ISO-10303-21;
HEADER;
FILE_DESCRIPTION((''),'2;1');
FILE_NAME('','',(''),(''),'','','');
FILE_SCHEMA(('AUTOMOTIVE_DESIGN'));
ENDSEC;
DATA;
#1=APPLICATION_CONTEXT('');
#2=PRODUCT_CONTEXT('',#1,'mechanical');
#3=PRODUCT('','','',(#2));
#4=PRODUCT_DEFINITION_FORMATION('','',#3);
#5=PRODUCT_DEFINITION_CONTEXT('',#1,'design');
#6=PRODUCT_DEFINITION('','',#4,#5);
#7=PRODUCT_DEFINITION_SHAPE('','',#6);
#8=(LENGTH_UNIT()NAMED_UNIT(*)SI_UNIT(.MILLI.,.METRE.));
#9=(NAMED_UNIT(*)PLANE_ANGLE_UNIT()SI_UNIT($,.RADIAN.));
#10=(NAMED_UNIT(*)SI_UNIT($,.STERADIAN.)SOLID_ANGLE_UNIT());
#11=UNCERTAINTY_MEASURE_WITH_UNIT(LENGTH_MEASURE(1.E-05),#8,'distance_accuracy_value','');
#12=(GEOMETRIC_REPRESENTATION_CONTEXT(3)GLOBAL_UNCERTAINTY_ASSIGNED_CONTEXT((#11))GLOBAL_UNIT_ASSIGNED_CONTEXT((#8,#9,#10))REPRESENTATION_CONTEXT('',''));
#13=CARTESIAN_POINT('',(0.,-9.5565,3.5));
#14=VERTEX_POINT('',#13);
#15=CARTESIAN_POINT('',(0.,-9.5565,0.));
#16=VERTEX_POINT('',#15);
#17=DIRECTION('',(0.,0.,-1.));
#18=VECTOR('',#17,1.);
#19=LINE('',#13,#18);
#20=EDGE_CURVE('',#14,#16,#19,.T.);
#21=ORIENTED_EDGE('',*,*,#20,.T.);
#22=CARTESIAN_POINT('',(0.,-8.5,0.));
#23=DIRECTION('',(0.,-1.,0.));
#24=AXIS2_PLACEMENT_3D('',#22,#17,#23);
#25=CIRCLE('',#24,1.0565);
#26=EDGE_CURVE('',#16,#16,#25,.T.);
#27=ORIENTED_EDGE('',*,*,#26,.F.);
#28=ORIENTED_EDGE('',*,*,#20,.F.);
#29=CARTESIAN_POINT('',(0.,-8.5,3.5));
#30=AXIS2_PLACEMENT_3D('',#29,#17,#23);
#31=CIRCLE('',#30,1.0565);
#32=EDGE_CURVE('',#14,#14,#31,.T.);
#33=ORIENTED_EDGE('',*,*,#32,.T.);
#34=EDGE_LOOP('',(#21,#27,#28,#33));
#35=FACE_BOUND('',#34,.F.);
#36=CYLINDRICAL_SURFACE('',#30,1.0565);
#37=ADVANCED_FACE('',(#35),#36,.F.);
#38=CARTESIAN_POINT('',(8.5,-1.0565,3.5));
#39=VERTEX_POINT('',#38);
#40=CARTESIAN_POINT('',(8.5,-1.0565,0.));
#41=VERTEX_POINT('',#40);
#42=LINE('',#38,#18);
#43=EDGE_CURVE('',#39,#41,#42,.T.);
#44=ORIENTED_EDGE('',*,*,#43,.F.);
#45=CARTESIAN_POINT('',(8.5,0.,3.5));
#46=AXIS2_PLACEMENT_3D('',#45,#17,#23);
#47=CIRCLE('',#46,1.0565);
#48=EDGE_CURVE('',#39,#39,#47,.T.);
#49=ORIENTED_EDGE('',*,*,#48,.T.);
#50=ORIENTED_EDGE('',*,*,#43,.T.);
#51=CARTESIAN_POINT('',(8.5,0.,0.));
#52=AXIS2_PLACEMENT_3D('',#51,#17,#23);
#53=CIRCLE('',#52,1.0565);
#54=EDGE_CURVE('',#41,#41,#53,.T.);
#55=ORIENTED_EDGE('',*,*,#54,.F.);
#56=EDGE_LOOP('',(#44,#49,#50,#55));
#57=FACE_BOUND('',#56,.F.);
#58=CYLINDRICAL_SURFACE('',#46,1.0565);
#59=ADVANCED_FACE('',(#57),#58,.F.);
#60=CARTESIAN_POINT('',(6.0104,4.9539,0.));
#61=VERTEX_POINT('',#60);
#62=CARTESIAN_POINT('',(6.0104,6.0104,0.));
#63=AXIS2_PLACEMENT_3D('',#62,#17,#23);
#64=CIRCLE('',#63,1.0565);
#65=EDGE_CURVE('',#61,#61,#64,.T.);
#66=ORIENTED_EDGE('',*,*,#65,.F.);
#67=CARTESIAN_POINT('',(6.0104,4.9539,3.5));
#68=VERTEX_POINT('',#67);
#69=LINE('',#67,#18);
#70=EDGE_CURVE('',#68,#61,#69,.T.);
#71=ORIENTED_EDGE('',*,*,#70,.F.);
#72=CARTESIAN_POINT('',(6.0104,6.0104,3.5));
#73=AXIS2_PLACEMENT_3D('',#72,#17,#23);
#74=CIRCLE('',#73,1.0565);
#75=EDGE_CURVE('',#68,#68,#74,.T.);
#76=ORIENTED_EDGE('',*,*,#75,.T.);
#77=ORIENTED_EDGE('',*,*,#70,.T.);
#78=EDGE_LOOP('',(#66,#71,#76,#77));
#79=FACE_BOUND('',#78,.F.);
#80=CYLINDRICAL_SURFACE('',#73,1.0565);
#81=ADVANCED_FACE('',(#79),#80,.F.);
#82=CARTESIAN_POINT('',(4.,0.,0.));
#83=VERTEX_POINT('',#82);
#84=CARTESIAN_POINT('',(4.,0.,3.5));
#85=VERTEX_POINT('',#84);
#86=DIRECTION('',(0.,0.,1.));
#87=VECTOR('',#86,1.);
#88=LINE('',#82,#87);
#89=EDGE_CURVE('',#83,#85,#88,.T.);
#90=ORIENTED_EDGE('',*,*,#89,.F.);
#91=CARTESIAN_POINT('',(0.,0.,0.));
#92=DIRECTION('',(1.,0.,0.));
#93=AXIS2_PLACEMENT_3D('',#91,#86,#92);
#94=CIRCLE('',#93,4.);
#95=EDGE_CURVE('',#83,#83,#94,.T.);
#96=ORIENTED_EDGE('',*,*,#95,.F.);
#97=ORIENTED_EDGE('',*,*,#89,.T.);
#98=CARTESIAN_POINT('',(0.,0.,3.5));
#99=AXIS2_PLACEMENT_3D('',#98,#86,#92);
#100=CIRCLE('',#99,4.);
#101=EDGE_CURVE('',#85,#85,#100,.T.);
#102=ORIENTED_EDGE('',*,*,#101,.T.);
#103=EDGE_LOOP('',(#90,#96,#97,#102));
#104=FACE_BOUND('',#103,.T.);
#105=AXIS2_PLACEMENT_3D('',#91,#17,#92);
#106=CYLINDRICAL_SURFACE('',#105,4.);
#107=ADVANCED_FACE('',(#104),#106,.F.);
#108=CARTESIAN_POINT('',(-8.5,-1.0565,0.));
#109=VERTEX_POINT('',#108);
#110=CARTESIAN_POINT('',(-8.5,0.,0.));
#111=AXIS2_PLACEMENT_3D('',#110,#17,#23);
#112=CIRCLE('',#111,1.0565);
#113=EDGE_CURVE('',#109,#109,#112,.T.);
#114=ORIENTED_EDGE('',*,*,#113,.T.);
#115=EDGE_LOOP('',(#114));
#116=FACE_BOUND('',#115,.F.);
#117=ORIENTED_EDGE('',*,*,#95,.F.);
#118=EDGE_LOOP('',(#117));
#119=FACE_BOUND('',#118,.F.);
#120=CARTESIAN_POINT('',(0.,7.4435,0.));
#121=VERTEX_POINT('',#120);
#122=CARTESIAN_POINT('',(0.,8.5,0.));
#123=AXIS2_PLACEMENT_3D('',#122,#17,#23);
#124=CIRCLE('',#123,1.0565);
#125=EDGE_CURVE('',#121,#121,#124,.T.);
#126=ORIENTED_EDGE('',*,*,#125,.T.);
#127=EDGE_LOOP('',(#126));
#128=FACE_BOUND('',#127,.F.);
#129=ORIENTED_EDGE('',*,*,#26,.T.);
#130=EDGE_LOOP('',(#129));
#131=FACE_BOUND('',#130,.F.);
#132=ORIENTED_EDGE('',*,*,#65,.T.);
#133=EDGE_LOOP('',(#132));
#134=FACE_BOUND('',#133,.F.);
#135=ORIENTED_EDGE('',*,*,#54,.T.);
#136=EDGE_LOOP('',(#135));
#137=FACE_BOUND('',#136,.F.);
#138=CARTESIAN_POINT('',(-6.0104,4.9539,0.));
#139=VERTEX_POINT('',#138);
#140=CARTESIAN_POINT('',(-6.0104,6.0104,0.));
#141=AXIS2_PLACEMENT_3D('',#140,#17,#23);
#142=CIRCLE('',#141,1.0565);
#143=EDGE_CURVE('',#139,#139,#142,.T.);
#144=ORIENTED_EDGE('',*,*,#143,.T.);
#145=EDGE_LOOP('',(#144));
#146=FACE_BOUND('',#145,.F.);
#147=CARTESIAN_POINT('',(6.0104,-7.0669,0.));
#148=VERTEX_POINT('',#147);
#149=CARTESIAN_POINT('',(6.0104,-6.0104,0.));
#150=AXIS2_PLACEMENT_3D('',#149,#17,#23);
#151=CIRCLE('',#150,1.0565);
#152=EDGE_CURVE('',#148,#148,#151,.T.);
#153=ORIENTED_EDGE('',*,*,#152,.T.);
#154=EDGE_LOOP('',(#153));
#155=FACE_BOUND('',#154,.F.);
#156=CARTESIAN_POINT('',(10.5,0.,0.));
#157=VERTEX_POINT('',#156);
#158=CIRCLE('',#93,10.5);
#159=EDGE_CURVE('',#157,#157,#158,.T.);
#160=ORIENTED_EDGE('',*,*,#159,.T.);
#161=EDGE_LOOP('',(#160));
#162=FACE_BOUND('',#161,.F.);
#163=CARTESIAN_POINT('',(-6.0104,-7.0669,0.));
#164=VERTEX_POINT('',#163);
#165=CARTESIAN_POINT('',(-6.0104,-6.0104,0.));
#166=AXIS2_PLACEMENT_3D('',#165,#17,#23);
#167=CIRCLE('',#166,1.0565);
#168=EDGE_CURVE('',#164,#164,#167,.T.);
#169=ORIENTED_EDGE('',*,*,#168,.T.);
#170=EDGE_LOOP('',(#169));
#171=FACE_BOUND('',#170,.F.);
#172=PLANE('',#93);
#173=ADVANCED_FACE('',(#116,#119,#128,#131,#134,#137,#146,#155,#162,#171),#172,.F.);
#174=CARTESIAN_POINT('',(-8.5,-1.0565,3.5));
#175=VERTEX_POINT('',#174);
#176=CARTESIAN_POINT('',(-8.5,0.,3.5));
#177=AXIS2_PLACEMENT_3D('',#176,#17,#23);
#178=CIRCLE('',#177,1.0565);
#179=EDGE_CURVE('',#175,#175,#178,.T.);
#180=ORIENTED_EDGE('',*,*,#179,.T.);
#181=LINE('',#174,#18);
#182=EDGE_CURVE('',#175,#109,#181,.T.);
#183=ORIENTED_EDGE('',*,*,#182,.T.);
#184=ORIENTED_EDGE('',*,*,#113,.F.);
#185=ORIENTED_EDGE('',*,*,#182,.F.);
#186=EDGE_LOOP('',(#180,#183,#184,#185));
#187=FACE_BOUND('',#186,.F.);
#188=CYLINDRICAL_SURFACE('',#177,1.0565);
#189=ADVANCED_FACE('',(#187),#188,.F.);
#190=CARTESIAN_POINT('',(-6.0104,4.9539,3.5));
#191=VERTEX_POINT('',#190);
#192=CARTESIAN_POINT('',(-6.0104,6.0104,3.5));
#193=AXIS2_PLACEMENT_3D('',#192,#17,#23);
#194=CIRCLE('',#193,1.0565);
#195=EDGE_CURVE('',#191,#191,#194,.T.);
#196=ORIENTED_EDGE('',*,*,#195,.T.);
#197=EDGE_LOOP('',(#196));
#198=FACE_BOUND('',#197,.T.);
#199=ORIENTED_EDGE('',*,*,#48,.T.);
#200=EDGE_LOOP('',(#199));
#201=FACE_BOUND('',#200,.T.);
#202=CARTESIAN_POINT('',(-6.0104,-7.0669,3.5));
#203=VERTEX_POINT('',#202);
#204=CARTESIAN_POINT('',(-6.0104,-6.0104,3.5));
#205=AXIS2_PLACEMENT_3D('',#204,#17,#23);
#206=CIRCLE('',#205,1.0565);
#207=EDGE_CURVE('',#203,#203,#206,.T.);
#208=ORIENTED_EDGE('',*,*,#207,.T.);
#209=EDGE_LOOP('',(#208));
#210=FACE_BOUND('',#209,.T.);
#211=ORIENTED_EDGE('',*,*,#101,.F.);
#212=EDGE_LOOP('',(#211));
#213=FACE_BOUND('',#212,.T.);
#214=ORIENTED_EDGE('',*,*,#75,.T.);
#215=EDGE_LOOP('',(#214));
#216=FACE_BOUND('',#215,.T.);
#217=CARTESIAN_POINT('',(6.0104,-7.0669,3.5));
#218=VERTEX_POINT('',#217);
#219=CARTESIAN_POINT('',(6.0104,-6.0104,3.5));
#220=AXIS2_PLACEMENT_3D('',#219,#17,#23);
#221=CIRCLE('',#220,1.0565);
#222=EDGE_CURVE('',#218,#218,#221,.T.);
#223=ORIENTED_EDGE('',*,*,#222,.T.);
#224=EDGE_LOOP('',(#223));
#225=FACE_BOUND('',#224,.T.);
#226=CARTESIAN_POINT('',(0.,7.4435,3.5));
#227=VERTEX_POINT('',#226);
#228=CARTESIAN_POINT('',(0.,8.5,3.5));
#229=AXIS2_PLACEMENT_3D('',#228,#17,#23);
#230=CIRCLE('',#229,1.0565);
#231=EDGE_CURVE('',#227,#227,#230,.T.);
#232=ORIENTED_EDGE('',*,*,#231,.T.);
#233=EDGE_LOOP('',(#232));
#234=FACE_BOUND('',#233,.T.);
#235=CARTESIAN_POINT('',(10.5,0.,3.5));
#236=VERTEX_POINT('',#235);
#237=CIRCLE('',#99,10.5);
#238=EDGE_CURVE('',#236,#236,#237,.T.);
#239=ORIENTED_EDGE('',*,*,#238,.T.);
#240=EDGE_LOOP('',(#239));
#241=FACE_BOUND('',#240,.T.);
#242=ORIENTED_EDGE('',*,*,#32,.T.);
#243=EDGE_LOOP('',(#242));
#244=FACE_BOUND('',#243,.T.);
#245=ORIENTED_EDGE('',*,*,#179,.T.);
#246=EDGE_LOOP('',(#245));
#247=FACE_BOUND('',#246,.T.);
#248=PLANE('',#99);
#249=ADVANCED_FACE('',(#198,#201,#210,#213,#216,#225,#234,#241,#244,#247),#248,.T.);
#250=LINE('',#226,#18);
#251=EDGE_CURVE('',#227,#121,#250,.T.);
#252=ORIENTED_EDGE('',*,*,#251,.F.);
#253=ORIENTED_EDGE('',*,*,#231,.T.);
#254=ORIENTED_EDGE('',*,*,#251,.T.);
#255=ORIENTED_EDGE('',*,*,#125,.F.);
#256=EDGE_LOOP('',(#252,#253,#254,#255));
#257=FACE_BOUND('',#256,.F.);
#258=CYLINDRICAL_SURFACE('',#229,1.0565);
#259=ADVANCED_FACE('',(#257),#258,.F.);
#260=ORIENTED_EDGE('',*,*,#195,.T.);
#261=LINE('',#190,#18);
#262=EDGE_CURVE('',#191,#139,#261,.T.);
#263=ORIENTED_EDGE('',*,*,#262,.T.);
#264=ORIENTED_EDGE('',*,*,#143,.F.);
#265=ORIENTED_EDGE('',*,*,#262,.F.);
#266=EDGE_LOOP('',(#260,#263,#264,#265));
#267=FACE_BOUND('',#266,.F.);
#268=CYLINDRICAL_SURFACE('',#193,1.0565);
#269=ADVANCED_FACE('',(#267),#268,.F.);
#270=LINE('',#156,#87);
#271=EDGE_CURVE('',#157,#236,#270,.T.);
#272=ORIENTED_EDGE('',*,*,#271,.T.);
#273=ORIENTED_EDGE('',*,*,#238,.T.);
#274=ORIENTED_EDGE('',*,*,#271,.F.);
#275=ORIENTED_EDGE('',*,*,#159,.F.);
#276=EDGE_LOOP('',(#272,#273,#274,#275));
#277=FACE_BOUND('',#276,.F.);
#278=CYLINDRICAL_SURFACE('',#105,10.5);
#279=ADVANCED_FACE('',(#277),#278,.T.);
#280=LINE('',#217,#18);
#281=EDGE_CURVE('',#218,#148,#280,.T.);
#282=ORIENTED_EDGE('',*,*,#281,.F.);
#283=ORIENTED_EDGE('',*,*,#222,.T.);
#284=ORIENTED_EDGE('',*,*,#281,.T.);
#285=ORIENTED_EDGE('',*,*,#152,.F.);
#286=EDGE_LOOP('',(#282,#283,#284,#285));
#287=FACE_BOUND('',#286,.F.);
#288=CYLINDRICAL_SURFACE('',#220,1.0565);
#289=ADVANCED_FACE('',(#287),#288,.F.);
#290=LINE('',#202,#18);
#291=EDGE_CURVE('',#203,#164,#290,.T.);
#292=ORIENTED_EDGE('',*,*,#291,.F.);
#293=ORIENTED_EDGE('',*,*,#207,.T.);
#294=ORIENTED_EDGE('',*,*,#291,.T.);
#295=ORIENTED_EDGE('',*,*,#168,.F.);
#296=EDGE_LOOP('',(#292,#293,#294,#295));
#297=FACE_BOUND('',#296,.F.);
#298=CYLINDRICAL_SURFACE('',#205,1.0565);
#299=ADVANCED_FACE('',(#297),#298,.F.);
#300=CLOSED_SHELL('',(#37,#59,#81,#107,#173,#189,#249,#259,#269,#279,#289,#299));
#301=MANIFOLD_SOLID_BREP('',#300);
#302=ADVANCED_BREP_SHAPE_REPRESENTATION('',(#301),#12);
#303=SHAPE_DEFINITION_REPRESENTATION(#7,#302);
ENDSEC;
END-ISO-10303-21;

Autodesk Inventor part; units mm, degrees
ref_plane "YZ Plane" through (0, 0, 0) normal (1, 0, 0) x (0, 1, 0)
ref_plane "XZ Plane" through (0, 0, 0) normal (0, 1, 0) x (-1, 0, 0)
ref_plane "XY Plane" through (0, 0, 0) normal (0, 0, 1) x (1, 0, 0)
sketch "スケッチ1" plane through (0, 0, 0) normal (0, 0, 1) x (1, 0, 0)
  circle A0 centre (0, 0) radius 10.5
  circle A1 centre (0, 0) radius 4
  dimension "d0" = 21
  dimension "d1" = 8
extrude "押し出し1" add sketch "スケッチ1" along normal blind 3.5
sketch "スケッチ2" plane through (0, 0, 3.5) normal (0, 0, 1) x (1, 0, 0)
  line L0 (0, 0) -> (0, 10.5) construction
  circle A0 centre (0, 0) radius 10.5 projected
  point P0 (0, 8.5)
  point P1 (-6.0104, 6.0104)
  point P2 (-8.5, 0)
  point P3 (-6.0104, -6.0104)
  point P4 (0, -8.5)
  point P5 (6.0104, -6.0104)
  point P6 (8.5, 0)
  point P7 (6.0104, 6.0104)
  dimension "d4" = 8.5
  dimension "d7" = 360
hole "穴1" at (0, 8.5, 3.5) at (-6.0104, 6.0104, 3.5) at (-8.5, 0, 3.5) at (-6.0104, -6.0104, 3.5) at (0, -8.5, 3.5) at (6.0104, -6.0104, 3.5) at (8.5, 0, 3.5) at (6.0104, 6.0104, 3.5) direction (0, 0, -1) diameter 2.113 end through all thread size "M2.6x0.45" class "6H" standard "ISO Metric profile"
properties part number "free_horn" material "アルミニウム 6061"
